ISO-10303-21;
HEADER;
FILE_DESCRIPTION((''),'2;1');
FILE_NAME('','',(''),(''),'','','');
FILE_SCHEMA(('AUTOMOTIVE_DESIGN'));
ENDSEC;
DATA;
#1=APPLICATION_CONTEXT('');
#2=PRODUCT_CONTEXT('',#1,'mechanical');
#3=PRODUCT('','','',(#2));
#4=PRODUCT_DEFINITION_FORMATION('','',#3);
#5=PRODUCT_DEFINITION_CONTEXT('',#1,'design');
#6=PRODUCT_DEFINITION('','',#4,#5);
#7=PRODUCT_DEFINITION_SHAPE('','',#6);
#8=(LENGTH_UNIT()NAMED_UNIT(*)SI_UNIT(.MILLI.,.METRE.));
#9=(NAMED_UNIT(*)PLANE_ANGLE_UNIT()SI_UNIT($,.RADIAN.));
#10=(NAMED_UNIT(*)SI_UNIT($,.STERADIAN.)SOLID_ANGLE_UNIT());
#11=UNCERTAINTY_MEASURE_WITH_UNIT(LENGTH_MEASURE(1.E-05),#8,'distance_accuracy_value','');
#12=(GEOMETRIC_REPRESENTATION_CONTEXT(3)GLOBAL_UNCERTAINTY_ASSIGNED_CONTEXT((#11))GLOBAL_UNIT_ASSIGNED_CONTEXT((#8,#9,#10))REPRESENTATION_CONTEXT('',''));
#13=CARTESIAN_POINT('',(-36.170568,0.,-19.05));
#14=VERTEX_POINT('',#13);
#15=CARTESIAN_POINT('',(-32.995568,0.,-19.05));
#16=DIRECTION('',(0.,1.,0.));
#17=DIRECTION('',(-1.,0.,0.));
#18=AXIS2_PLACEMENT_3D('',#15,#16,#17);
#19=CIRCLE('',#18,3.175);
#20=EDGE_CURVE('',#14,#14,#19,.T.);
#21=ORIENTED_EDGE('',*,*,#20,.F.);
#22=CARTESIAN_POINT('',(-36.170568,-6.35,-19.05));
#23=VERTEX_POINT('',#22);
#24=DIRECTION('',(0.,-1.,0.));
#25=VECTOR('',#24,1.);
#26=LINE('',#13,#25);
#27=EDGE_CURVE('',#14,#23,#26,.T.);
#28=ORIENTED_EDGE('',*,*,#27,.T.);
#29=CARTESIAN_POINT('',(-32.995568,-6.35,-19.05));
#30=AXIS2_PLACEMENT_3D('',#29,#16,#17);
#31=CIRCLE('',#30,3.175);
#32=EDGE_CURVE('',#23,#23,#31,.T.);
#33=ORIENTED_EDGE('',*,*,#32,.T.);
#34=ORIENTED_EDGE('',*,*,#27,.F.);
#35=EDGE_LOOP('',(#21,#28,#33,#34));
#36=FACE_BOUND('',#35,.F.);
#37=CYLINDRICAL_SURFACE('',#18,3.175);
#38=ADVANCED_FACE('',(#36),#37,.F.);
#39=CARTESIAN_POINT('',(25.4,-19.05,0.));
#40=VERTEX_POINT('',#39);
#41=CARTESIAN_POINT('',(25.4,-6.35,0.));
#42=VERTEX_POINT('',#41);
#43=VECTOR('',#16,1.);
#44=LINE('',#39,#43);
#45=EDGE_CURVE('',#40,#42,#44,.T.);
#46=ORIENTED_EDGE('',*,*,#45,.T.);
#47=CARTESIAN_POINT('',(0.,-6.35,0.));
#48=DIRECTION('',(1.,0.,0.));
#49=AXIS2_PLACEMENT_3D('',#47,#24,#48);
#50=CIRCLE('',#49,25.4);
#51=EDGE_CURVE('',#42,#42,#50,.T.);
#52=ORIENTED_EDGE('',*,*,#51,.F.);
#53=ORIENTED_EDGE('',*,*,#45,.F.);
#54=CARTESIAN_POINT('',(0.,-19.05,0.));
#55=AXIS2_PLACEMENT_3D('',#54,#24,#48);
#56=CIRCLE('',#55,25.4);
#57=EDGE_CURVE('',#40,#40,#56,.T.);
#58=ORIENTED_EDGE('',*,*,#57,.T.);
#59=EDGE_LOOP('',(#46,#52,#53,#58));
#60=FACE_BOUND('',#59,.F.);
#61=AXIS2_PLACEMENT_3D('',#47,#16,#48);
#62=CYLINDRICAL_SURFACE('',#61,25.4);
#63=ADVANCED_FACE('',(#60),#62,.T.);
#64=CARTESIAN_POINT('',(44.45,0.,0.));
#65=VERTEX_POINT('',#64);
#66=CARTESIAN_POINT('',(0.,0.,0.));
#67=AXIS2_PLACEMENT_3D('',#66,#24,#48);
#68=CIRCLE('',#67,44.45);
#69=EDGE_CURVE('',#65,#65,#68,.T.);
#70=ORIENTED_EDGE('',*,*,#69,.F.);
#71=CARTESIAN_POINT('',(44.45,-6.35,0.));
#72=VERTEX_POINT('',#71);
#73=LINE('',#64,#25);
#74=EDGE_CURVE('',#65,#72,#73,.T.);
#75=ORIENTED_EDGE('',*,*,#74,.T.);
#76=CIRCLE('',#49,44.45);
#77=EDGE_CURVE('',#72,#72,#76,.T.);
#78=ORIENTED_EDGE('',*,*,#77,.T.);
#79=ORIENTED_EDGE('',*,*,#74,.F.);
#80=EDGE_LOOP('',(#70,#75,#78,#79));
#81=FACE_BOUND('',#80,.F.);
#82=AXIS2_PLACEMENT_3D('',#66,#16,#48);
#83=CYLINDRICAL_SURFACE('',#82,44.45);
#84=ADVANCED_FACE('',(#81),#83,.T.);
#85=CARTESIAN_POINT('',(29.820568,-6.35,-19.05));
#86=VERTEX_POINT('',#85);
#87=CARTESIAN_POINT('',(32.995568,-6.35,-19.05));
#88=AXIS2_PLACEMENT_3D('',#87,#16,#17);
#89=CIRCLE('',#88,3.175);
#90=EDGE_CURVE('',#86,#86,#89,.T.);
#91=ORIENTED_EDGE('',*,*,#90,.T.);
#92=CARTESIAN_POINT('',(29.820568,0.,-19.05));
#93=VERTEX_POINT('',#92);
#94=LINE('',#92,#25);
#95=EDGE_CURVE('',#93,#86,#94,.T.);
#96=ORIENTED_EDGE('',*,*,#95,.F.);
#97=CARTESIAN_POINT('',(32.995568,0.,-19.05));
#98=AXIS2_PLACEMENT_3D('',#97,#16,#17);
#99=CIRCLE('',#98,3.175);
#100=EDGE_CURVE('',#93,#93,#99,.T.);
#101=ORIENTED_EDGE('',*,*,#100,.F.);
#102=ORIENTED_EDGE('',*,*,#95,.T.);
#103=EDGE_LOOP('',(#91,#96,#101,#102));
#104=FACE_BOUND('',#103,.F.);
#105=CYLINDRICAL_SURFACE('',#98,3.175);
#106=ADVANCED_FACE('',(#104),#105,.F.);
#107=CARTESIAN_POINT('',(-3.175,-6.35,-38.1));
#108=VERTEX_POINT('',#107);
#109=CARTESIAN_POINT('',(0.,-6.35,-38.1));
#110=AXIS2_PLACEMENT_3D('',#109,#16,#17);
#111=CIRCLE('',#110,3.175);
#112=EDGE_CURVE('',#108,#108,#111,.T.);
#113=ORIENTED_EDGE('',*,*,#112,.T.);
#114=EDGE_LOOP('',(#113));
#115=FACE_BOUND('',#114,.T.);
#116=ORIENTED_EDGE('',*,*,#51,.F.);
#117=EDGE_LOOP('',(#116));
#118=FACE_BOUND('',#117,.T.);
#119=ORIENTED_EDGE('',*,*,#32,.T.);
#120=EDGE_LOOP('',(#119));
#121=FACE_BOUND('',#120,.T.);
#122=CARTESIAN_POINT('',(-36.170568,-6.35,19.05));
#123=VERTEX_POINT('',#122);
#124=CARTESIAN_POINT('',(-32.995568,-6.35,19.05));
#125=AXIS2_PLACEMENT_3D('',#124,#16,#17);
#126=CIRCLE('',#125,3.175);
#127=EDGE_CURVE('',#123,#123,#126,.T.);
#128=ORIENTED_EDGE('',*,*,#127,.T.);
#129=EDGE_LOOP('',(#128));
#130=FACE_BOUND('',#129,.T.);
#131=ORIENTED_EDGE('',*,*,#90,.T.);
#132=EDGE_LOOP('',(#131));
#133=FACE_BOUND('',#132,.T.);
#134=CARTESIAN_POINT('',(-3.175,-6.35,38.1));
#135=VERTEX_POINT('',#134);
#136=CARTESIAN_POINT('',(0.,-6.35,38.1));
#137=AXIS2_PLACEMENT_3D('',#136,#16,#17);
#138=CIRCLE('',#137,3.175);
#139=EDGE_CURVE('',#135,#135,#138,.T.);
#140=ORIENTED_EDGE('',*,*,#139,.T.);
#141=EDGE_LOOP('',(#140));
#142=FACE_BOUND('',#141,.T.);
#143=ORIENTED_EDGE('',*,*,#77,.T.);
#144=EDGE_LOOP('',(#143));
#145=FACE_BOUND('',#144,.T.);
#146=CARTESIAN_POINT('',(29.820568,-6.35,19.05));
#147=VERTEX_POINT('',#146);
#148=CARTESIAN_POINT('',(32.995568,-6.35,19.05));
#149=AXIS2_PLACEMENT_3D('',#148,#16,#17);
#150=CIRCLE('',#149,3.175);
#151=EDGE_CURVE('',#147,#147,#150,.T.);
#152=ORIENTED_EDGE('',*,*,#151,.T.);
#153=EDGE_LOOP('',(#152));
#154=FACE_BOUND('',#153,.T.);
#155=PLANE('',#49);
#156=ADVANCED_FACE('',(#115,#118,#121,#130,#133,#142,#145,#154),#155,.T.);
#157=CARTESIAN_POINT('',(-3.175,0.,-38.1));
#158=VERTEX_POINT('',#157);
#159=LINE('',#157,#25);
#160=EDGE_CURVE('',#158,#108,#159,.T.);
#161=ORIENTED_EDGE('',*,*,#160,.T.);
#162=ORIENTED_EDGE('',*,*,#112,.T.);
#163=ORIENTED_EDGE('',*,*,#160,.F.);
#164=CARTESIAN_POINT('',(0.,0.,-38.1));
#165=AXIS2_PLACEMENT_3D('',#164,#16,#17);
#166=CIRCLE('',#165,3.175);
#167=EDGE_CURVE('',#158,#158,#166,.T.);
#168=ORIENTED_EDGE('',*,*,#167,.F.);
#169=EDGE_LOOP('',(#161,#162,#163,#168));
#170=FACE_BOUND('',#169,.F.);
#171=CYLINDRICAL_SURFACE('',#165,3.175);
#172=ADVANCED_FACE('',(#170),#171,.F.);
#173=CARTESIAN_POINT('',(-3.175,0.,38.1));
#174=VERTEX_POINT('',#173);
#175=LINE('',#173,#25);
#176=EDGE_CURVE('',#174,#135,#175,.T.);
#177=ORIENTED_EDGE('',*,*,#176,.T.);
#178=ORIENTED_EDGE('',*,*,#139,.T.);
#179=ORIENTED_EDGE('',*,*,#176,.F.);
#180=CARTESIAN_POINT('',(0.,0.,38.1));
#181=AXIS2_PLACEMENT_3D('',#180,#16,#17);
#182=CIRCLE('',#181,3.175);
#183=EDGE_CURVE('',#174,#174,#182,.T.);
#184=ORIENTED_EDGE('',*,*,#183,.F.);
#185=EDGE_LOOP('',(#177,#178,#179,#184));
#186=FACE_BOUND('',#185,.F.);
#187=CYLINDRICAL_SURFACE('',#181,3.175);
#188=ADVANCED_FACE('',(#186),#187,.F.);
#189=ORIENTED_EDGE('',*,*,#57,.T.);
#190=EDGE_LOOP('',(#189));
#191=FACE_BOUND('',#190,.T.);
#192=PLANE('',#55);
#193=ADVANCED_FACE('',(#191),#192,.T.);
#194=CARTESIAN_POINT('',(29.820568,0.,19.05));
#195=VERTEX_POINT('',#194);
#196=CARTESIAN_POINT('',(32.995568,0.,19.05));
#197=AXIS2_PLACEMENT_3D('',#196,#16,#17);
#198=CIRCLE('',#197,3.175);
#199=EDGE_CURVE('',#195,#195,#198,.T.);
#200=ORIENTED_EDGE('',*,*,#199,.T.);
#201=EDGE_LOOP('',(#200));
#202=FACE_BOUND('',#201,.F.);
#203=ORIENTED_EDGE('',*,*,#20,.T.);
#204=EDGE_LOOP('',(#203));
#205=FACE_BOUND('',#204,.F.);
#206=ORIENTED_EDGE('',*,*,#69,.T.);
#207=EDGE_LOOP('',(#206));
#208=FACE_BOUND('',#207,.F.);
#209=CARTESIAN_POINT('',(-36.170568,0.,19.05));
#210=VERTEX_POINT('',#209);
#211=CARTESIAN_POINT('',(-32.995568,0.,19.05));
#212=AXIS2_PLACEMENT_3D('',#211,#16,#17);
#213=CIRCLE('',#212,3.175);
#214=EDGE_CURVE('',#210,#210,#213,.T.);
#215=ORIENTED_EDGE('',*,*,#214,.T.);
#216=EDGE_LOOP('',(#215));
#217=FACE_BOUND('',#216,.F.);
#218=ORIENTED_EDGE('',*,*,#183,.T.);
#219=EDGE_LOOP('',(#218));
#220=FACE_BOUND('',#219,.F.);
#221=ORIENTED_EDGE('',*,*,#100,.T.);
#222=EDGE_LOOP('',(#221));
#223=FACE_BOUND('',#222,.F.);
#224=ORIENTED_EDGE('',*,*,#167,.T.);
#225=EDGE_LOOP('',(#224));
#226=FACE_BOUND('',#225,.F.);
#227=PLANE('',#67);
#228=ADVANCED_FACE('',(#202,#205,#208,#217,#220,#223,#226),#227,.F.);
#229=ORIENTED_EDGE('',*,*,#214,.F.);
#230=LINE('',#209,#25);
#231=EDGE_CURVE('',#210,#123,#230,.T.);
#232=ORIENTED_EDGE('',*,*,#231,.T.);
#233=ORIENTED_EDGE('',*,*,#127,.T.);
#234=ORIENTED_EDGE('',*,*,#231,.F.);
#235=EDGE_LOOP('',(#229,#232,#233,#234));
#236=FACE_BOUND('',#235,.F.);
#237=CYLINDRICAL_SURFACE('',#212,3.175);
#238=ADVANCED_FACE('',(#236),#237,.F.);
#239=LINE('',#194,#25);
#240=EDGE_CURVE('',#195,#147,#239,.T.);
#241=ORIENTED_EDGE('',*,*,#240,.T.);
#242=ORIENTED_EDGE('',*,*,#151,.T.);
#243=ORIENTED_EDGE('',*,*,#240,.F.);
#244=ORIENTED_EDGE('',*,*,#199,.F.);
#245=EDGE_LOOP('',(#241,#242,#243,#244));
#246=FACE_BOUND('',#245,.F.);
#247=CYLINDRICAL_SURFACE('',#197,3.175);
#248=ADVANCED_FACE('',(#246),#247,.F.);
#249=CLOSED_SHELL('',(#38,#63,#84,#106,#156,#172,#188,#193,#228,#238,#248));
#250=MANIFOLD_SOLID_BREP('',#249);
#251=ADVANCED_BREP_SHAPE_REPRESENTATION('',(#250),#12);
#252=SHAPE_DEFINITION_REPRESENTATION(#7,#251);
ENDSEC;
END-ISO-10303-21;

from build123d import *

# Parameters (mm, degrees)
F0_R     = 44.45
F1_DEPTH = 6.35
F2_R     = 25.4
F3_DEPTH = 12.7
F5_R     = 28.575
F5_R_2   = 25.4
F6_DEPTH = 3.175
F7_R     = 3.175
F8_DEPTH = 25.4


with BuildPart() as f1:
    # F0 (on Front) → F1 (new body)
    with BuildSketch(Plane.XZ):
        Circle(F0_R)
    extrude(amount=F1_DEPTH)

    # F2 (on face) → F3 (join)
    with BuildSketch(Plane.XZ.offset(6.35)):
        Circle(F2_R)
    extrude(amount=F3_DEPTH)

    # F5 (on offset) → F6 (cut)
    with BuildSketch(Plane.XZ.offset(12.7)):
        Circle(F5_R)
        Circle(F5_R_2, mode=Mode.SUBTRACT)
    extrude(amount=F6_DEPTH, mode=Mode.SUBTRACT)

    # F7 (on face) → F8 (cut)
    with BuildSketch(Plane(origin=(0, 0, 0), x_dir=(-1, 0, 0), z_dir=(0, 1, 0))):
        with Locations((-32.995568, 19.05)):
            Circle(F7_R)
        with Locations((-32.995568, -19.05)):
            Circle(F7_R)
        with Locations((0, -38.1)):
            Circle(F7_R)
        with Locations((32.995568, -19.05)):
            Circle(F7_R)
        with Locations((32.995568, 19.05)):
            Circle(F7_R)
        with Locations((0, 38.1)):
            Circle(F7_R)
    extrude(amount=-F8_DEPTH, mode=Mode.SUBTRACT)


solid = f1.part
